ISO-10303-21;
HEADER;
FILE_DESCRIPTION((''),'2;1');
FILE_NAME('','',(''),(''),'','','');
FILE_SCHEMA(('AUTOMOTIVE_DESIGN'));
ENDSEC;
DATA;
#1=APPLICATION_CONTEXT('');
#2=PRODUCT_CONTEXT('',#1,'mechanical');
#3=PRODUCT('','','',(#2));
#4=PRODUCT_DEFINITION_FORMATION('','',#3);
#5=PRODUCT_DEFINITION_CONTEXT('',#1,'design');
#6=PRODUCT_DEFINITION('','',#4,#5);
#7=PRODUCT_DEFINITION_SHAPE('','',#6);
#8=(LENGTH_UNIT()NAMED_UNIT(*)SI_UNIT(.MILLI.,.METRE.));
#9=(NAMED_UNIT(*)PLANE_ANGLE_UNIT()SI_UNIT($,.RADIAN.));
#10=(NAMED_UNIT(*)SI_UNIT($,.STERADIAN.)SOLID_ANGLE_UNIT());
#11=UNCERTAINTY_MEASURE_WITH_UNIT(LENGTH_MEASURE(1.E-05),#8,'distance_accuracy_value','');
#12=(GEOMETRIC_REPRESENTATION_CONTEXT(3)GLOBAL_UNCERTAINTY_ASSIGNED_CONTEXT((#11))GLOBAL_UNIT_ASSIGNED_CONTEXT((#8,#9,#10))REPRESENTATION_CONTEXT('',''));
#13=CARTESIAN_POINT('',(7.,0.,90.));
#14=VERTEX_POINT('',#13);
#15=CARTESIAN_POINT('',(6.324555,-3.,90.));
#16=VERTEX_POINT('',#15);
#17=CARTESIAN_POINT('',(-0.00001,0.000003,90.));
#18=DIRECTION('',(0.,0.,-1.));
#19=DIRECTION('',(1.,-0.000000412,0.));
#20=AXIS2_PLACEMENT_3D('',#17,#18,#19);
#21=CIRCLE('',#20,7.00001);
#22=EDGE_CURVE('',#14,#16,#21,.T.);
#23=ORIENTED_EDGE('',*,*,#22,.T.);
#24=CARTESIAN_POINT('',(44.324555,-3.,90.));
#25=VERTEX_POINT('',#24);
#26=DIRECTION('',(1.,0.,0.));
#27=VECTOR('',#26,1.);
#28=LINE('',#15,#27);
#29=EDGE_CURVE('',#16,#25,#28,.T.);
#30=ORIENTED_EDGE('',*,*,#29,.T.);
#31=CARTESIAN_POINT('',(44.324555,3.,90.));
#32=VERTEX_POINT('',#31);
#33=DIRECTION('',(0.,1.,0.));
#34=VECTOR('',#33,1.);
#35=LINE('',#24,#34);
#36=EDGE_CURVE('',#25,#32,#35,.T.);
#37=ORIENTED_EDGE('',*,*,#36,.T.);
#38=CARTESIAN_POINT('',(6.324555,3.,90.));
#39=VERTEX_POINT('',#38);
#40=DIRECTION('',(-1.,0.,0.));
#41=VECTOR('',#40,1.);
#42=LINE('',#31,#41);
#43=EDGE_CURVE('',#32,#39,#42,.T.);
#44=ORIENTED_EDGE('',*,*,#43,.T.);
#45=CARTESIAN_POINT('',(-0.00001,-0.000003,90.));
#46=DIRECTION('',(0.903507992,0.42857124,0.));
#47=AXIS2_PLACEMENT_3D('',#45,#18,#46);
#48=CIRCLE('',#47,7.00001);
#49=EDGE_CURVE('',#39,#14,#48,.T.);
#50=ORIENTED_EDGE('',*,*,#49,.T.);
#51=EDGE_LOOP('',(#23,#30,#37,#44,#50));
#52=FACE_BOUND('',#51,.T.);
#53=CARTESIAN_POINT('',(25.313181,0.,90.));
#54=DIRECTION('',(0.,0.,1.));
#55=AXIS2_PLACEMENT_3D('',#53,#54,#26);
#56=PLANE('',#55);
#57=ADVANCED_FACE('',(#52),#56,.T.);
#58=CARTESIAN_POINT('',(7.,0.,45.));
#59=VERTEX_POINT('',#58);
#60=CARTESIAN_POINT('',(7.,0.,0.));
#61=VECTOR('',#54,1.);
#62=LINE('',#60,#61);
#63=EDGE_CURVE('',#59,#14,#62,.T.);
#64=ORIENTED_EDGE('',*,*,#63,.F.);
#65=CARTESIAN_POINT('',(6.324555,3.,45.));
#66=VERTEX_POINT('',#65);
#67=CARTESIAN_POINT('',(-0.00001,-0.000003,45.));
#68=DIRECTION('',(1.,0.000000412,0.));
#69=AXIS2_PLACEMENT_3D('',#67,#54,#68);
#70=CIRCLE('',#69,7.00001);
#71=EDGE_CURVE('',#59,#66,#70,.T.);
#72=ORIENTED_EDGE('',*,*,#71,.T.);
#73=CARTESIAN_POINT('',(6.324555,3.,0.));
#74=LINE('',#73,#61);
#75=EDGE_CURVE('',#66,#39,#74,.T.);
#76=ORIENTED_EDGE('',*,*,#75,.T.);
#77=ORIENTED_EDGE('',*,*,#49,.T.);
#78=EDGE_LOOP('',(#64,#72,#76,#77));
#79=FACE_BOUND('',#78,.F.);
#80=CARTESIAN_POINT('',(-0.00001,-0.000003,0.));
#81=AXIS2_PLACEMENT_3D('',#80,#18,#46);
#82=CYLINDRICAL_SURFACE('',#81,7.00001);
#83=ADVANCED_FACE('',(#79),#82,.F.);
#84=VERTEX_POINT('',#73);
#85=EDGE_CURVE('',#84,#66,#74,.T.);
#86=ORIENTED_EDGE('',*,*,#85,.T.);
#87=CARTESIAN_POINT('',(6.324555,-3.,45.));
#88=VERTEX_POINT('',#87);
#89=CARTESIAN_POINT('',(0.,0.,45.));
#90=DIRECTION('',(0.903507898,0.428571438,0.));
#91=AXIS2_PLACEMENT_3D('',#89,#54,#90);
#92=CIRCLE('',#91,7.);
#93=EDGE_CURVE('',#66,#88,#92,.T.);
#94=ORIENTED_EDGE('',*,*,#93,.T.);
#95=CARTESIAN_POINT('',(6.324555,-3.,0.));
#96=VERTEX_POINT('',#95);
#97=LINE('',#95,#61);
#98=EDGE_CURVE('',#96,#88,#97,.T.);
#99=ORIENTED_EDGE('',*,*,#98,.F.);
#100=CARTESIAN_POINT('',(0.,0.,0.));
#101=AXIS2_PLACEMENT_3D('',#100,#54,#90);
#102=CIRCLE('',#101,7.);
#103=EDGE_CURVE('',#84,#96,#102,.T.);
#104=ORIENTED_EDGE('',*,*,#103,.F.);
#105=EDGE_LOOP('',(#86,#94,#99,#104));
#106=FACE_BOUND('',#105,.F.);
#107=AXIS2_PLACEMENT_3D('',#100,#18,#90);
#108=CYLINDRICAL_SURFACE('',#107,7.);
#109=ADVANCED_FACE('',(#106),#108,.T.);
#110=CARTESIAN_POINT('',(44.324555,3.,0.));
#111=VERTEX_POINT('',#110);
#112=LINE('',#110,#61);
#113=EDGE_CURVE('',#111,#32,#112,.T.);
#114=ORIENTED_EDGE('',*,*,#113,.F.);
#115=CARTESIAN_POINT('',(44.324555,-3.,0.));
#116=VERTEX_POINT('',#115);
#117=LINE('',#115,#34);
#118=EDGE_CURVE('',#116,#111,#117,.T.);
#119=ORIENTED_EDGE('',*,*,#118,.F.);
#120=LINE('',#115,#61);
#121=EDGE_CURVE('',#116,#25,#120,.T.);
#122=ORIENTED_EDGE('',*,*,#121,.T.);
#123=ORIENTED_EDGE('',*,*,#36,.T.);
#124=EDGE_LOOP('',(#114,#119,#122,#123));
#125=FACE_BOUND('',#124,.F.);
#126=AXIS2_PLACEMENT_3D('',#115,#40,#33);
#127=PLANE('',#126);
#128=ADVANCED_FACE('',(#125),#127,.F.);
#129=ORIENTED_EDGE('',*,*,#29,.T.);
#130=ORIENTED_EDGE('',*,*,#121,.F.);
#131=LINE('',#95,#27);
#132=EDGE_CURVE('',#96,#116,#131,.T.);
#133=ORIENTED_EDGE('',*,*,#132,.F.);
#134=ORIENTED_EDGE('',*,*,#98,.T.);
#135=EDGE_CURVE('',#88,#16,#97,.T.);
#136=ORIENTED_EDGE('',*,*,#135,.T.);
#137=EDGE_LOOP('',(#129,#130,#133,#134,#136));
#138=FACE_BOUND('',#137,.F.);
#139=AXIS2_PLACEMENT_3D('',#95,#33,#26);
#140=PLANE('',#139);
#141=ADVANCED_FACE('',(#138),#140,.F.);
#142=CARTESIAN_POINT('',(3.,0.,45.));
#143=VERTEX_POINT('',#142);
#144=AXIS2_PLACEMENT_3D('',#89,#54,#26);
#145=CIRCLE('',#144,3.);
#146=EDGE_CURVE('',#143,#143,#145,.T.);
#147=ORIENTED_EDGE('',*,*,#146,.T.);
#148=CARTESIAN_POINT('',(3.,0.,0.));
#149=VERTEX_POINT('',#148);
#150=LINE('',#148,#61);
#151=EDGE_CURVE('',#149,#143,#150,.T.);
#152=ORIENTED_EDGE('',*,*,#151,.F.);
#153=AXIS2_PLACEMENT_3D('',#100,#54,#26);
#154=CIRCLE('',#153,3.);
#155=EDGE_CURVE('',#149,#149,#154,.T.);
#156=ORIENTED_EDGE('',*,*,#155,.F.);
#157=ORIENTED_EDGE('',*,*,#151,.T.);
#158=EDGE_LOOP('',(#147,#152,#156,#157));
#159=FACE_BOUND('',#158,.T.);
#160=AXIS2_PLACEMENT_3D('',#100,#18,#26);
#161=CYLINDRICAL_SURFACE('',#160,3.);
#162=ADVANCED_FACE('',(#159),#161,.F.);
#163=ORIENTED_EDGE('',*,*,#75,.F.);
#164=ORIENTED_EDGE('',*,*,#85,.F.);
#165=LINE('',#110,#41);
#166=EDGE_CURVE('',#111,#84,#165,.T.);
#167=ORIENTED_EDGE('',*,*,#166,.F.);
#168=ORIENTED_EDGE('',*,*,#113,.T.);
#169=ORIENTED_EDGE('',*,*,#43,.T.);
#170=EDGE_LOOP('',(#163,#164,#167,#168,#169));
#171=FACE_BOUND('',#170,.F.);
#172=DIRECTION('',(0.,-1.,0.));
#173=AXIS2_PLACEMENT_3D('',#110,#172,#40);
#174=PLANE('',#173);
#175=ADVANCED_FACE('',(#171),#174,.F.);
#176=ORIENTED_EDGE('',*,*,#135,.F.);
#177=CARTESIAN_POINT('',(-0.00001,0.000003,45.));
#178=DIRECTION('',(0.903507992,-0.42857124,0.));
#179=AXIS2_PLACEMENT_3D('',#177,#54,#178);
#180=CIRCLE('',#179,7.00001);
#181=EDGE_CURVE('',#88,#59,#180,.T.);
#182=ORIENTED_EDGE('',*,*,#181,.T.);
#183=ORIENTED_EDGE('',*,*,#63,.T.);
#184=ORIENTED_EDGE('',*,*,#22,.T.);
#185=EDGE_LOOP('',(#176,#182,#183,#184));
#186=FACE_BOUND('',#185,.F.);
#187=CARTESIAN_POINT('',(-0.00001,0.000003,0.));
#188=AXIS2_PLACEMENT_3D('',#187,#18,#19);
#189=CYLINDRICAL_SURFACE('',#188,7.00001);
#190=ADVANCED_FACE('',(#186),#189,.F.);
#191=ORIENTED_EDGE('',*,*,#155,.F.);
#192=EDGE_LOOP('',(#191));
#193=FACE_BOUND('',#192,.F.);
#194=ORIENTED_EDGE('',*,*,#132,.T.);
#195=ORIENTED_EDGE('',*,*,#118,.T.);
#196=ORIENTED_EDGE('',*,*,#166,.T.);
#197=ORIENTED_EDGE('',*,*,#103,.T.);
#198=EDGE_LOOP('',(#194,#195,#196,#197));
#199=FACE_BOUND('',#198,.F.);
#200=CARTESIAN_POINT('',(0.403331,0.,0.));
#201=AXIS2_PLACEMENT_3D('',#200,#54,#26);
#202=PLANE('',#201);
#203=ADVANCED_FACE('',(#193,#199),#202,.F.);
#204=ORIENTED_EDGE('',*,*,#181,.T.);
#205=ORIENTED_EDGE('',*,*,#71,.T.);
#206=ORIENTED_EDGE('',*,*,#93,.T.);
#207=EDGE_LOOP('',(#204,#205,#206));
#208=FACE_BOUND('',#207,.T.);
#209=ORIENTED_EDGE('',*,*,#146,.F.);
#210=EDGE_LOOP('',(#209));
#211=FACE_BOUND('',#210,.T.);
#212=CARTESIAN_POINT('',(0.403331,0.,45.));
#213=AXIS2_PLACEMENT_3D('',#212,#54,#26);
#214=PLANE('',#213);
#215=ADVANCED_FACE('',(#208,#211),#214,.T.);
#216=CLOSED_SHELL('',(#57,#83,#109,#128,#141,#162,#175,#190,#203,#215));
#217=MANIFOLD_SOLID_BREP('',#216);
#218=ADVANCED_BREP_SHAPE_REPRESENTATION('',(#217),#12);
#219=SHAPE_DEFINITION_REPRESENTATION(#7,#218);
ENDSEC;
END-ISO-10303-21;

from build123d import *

# Parameters (mm, degrees)
F1_DEPTH = 90
F0_R     = 3
F2_DEPTH = 45


with BuildPart() as f1:
    # F0 (on Top) → F1 (new body)
    with BuildSketch(Plane.XY):
        with BuildLine():
            ThreePointArc((6.324555, 3), (6.829051, 1.537549), (7, 0))
            ThreePointArc((7, 0), (6.829051, -1.537549), (6.324555, -3))
            Line((6.324555, -3), (44.324555, -3))
            Line((44.324555, -3), (44.324555, 3))
            Line((44.324555, 3), (6.324555, 3))
        make_face()
    extrude(amount=F1_DEPTH)

    # F0 (on Top) → F2 (join)
    with BuildSketch(Plane.XY):
        with BuildLine():
            ThreePointArc((6.324555, -3), (6.829051, -1.537549), (7, 0))
            ThreePointArc((7, 0), (6.829051, 1.537549), (6.324555, 3))
            ThreePointArc((6.324555, 3), (-7, 0), (6.324555, -3))
        make_face()
        Circle(F0_R, mode=Mode.SUBTRACT)
    extrude(amount=F2_DEPTH)


solid = f1.part
